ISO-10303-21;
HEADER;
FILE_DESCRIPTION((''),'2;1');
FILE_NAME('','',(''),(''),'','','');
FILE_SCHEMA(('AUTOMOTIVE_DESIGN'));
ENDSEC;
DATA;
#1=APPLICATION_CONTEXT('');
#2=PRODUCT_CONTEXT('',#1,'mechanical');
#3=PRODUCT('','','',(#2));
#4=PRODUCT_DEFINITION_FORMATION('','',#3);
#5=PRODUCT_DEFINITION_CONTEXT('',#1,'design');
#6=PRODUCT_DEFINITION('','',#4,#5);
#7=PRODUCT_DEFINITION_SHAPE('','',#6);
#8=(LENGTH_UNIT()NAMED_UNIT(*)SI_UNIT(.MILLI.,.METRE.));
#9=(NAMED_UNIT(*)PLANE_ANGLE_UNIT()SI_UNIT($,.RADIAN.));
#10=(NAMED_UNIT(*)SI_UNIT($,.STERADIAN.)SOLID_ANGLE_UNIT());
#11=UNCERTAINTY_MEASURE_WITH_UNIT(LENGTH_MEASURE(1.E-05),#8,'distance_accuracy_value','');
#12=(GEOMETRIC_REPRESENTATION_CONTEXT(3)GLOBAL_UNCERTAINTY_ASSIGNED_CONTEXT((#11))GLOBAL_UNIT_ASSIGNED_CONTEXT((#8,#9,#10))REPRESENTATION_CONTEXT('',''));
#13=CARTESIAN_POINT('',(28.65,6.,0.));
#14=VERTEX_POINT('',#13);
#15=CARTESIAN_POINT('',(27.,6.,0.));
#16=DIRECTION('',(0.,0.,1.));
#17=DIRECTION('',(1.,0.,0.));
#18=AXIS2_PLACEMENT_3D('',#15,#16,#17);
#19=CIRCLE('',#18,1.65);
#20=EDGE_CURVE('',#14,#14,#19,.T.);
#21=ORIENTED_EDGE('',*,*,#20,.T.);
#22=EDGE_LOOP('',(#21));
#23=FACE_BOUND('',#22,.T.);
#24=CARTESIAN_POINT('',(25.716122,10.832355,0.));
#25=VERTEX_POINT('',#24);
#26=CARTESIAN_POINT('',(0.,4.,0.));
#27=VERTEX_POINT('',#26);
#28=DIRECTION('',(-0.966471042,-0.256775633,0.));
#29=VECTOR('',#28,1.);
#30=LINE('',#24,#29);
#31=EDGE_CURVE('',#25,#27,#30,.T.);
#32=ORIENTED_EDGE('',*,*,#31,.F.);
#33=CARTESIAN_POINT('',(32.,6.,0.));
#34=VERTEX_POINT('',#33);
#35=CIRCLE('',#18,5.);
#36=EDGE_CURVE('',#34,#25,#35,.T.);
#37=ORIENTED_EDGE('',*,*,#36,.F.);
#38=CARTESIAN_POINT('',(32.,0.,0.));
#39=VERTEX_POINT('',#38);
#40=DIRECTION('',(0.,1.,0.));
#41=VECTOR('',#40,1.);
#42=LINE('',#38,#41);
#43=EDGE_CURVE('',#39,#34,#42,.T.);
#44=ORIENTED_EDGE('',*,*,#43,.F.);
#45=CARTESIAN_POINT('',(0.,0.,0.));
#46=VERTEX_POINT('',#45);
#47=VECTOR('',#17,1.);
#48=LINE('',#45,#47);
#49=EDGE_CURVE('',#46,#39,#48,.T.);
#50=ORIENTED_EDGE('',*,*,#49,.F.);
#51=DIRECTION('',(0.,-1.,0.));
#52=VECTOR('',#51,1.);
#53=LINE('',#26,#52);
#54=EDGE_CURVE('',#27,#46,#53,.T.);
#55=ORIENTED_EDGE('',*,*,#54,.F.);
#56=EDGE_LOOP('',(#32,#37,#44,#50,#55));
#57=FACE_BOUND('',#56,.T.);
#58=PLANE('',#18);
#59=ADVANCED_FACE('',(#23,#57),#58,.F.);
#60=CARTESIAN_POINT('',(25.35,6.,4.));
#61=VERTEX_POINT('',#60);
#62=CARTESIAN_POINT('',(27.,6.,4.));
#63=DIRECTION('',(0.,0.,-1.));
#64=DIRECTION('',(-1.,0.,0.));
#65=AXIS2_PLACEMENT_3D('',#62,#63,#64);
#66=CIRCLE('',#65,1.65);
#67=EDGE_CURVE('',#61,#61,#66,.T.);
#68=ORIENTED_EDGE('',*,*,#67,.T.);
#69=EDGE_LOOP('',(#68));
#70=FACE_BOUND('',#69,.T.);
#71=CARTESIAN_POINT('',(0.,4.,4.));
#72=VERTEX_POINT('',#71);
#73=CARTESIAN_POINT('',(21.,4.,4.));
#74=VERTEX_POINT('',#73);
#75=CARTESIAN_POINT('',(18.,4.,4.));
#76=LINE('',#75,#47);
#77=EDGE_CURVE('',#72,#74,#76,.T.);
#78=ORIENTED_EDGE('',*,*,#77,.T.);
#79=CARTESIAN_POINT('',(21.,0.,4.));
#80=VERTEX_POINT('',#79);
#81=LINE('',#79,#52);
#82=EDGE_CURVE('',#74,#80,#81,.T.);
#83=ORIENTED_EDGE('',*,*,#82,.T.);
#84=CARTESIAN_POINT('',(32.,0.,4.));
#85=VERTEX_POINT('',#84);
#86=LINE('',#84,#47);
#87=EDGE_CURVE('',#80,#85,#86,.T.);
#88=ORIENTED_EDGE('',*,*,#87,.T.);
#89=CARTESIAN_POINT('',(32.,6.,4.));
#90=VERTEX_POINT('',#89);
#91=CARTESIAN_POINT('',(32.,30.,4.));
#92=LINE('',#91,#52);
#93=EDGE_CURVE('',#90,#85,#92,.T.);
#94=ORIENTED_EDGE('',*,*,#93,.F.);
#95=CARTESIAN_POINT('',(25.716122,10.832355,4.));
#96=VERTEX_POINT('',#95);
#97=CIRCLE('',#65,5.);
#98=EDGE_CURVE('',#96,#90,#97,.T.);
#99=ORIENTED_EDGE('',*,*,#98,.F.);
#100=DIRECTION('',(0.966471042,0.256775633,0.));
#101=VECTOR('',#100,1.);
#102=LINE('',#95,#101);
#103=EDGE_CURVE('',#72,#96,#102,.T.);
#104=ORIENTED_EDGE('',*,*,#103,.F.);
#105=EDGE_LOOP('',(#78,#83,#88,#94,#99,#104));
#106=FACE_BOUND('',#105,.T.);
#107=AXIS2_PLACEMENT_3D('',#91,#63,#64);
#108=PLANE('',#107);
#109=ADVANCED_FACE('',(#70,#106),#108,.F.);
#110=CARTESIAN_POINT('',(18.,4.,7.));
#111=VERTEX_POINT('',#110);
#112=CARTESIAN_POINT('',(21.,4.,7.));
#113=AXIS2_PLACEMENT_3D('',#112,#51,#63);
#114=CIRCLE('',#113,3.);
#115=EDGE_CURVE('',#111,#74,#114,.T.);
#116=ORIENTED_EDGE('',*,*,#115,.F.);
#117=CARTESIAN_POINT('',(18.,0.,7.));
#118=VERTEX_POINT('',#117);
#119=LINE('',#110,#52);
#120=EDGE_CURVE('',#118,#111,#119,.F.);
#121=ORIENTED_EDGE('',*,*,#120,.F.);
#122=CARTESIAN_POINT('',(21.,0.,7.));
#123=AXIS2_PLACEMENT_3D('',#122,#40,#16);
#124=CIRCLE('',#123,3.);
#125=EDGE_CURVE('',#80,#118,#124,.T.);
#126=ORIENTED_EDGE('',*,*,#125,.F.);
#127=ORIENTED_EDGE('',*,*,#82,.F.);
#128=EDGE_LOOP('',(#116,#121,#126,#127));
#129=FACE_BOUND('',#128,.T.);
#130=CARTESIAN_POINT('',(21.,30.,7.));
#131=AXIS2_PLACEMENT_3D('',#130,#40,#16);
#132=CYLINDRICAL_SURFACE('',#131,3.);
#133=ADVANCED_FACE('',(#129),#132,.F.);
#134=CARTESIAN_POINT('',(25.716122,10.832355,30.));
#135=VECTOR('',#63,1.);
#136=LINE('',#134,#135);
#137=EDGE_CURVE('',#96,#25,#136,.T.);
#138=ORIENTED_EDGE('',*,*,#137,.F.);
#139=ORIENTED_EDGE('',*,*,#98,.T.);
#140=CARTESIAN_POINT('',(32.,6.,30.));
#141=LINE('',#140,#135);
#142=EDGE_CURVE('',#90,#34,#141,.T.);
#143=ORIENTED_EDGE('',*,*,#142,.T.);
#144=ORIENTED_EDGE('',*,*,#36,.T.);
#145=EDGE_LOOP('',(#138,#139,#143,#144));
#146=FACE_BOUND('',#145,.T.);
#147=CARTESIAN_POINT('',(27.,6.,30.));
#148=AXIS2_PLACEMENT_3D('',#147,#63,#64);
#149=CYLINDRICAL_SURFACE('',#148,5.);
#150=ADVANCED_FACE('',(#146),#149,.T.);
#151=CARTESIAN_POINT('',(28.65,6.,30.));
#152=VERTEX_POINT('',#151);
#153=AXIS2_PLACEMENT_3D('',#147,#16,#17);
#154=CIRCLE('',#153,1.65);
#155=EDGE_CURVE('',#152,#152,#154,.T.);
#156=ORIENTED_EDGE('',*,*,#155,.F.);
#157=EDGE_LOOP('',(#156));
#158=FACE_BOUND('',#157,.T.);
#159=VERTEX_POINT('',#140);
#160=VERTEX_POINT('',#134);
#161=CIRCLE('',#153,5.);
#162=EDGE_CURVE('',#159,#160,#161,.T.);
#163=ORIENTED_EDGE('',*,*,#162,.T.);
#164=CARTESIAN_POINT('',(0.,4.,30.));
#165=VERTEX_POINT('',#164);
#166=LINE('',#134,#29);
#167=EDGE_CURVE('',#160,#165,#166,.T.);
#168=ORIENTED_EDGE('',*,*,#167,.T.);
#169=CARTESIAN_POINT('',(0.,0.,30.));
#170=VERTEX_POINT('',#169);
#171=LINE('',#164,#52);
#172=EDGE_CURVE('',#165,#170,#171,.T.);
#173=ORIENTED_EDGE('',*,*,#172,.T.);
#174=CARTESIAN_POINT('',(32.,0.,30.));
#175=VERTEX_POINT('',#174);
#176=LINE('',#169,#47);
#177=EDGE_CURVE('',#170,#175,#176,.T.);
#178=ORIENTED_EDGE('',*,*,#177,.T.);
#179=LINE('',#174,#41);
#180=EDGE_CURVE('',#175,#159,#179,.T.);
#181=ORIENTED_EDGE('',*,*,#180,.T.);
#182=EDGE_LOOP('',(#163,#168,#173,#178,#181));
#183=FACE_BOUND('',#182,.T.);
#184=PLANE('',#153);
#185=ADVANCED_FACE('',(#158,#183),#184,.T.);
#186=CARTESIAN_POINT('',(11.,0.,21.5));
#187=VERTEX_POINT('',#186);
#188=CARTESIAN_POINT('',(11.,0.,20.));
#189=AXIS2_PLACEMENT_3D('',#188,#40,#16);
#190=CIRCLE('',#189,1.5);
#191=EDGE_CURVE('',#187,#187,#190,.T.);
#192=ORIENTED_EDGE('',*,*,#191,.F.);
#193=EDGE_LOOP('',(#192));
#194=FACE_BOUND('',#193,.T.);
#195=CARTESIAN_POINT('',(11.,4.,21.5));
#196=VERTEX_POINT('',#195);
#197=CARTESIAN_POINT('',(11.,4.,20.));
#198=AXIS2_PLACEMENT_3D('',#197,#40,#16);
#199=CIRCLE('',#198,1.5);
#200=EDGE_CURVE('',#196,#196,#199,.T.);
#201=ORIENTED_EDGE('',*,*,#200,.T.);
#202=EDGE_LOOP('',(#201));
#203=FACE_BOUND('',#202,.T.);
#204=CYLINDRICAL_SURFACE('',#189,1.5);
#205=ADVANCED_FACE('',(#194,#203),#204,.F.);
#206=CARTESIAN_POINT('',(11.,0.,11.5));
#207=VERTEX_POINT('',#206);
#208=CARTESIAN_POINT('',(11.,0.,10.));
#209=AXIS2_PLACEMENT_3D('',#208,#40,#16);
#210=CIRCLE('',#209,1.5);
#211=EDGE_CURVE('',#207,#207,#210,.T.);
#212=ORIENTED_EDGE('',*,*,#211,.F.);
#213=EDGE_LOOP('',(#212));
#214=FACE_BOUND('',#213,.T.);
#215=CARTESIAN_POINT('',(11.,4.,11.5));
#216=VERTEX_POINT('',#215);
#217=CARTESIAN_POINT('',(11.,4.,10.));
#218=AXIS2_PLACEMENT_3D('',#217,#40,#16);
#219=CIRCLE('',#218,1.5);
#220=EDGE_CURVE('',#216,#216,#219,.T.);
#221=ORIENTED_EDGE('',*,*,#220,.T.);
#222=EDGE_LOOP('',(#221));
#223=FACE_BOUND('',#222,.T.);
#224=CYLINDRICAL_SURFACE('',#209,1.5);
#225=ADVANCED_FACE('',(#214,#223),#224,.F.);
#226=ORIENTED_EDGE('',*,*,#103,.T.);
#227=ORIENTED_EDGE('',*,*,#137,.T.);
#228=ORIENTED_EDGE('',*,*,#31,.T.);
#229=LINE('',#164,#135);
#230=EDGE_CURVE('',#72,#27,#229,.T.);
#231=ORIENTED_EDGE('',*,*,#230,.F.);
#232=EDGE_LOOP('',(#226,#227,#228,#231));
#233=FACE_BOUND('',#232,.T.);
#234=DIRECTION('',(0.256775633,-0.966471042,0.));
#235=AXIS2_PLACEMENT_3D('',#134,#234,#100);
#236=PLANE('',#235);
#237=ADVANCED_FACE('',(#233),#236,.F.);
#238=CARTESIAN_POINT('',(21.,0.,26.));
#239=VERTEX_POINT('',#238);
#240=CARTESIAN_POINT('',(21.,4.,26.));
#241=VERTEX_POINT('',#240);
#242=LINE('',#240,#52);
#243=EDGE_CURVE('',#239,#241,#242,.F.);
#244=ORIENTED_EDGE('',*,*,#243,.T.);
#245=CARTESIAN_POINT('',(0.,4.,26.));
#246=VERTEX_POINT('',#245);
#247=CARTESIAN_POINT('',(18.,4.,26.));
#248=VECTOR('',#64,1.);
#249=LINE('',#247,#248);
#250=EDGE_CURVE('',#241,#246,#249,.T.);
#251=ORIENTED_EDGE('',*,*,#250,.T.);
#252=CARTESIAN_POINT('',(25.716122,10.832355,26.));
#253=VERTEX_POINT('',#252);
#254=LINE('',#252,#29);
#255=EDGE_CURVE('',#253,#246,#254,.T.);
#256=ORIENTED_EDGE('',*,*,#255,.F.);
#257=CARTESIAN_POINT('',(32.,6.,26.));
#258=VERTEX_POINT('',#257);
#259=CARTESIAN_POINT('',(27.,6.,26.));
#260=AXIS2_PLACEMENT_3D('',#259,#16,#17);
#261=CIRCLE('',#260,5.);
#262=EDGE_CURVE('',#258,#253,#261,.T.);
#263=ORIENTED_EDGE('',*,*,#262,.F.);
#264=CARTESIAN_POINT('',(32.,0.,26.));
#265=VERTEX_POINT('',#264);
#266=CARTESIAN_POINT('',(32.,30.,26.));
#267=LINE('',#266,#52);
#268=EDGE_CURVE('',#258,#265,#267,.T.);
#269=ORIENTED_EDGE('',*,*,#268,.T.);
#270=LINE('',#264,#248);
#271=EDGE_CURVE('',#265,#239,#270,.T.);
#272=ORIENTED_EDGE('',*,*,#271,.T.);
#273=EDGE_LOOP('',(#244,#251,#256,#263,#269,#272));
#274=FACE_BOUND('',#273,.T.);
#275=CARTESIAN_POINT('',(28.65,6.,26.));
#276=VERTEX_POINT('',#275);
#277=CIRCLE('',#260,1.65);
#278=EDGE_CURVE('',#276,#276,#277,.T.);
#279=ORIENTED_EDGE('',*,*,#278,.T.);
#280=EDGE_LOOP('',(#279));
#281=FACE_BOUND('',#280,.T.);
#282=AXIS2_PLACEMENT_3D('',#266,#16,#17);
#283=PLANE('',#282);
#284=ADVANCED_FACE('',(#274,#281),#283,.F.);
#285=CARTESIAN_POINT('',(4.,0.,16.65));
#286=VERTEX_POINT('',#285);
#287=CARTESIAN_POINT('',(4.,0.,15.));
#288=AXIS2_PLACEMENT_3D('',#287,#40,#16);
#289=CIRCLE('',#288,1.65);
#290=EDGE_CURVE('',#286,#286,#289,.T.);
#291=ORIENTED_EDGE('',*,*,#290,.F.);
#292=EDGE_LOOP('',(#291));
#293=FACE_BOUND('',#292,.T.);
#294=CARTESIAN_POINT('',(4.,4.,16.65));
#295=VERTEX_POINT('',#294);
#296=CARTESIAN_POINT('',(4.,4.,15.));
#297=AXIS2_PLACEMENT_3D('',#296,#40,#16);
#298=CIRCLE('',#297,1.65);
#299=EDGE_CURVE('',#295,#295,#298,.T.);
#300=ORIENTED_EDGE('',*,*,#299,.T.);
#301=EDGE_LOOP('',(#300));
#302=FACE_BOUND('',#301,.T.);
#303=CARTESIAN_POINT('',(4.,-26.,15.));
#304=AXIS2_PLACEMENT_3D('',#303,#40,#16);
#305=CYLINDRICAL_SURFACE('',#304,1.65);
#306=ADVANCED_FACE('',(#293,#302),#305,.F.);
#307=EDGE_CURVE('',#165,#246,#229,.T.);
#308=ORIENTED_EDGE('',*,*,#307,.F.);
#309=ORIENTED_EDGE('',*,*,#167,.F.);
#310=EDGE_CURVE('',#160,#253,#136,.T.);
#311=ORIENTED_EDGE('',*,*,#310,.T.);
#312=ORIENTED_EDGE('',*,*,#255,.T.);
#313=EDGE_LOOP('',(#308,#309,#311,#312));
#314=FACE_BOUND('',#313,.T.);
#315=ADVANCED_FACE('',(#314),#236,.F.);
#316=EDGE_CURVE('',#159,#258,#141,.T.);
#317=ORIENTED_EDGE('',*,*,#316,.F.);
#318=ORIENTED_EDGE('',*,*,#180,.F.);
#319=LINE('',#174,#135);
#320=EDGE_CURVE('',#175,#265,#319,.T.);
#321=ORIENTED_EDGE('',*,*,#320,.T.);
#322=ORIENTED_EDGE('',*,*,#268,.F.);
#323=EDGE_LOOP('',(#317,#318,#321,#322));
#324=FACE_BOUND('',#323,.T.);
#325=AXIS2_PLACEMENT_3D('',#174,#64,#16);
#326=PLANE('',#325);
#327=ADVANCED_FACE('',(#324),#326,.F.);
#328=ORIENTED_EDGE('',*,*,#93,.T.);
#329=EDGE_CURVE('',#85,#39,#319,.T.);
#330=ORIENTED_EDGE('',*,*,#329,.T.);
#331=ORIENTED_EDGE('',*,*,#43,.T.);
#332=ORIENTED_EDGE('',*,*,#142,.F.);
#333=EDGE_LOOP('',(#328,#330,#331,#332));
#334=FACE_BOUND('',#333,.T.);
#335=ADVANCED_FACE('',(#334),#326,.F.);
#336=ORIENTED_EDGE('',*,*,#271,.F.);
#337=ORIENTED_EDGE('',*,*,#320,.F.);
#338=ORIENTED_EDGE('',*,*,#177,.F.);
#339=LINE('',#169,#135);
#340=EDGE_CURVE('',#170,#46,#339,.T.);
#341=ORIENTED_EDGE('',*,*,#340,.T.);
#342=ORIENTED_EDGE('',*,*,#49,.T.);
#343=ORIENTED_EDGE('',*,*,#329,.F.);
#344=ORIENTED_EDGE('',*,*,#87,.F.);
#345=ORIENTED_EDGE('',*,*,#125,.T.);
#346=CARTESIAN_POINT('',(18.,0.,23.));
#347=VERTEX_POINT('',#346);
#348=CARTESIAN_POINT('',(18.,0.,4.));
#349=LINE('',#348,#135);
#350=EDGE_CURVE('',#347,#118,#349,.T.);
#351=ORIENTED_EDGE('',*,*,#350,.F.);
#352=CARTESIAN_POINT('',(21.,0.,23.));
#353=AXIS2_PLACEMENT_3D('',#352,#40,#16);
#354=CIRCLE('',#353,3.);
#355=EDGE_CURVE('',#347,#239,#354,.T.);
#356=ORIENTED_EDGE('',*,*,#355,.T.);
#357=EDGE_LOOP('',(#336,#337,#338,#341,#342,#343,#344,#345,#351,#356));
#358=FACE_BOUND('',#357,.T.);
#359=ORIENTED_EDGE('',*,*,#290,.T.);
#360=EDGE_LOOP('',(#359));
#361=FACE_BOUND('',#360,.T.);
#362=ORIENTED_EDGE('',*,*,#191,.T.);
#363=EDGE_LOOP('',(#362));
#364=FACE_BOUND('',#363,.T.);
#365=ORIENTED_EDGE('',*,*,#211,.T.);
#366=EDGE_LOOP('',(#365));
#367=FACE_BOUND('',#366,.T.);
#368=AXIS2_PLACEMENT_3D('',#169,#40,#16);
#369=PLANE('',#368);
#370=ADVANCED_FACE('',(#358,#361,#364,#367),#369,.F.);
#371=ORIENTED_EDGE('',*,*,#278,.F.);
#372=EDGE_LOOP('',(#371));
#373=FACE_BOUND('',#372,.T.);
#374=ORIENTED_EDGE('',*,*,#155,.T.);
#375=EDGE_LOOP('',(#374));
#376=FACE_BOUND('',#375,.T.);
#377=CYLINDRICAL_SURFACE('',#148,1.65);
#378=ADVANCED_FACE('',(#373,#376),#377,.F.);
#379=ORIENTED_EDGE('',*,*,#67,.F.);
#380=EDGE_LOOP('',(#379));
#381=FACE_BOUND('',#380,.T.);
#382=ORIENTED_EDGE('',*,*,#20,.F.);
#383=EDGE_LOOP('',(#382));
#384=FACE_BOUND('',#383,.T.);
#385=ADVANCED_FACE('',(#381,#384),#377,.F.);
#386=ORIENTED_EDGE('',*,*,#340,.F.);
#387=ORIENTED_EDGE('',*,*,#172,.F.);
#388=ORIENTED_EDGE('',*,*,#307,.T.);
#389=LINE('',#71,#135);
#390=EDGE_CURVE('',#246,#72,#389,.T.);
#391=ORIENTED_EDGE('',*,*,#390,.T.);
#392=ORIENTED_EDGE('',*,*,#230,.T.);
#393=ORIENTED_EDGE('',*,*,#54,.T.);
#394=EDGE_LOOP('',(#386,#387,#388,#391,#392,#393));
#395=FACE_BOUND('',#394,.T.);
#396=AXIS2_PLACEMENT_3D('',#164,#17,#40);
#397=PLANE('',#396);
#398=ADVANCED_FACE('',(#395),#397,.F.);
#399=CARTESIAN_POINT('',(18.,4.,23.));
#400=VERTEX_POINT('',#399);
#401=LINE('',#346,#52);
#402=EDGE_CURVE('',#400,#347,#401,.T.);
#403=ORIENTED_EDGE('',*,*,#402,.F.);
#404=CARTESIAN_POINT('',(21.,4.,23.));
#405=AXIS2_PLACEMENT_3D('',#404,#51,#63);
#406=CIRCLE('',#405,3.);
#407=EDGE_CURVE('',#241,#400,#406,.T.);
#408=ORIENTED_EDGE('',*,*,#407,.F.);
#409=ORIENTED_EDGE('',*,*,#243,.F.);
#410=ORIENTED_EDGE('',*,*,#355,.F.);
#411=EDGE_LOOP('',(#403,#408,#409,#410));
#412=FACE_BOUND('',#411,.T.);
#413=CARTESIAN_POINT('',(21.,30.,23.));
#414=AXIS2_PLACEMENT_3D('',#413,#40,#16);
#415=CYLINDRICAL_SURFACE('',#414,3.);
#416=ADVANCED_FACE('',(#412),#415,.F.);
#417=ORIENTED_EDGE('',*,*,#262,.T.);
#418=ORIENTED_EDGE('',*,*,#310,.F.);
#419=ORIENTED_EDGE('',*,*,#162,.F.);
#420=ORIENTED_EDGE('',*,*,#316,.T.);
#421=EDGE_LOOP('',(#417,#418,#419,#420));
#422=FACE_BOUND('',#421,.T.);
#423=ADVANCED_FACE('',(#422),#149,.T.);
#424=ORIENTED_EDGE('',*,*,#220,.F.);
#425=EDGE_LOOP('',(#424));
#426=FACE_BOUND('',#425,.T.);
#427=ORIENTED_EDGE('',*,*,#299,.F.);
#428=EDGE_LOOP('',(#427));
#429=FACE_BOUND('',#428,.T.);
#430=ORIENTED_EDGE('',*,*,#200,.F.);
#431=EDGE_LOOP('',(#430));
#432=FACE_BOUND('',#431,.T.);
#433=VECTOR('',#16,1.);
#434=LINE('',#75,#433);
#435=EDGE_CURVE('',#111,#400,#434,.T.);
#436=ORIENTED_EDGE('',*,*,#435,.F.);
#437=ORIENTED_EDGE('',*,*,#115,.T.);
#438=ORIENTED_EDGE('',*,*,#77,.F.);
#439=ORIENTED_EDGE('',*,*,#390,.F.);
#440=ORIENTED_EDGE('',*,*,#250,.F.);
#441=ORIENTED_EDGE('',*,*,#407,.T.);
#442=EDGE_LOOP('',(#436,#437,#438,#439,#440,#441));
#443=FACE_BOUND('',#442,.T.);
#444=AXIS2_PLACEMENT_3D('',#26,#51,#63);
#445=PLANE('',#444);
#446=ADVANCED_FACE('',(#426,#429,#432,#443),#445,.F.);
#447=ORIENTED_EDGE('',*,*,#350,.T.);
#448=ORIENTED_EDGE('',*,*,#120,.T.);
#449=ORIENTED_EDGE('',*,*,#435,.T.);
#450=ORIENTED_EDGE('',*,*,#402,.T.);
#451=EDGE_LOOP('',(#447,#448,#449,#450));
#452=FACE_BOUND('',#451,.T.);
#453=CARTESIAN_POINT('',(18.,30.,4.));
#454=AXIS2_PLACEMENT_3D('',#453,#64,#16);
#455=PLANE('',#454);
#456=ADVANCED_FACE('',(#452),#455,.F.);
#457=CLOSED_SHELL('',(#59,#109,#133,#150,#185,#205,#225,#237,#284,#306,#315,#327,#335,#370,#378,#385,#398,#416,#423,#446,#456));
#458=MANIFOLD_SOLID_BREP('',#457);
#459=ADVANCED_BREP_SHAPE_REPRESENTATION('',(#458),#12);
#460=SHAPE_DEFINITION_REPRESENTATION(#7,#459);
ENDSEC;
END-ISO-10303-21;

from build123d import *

# Parameters (mm, degrees)
SKETCH_1_R          = 1.65
EXTRUDE_1_DEPTH     = 30
SKETCH_2_W          = 14
SKETCH_2_H          = 22
CUT_EXTRUDE_1_DEPTH = 30
SKETCH_3_W          = 18
SKETCH_3_H          = 22
CUT_EXTRUDE_2_DEPTH = 30
FILLET_1_R          = 3
SKETCH_4_R          = 1.65
CUT_EXTRUDE_3_DEPTH = 30
SKETCH_5_R          = 1.5
CUT_EXTRUDE_4_DEPTH = 45.418464629


with BuildPart() as part:
    # 草图1 → 凸台-拉伸1 (new body)
    with BuildSketch(Plane.XY):
        with BuildLine():
            Line((0, 0), (32, 0))
            Line((32, 0), (32, 6))
            ThreePointArc((32, 6), (30.048000097, 9.963545813), (25.716121836, 10.832355208))
            Line((25.716121836, 10.832355208), (0, 4))
            Line((0, 4), (0, 0))
        make_face()
        with Locations((27, 6)):
            Circle(SKETCH_1_R, mode=Mode.SUBTRACT)
    extrude(amount=EXTRUDE_1_DEPTH)

    # 草图2 → 切除-拉伸1 (cut)
    with BuildSketch(Plane.XZ):
        with Locations((25, 15)):
            Rectangle(SKETCH_2_W, SKETCH_2_H)
    extrude(amount=-CUT_EXTRUDE_1_DEPTH, mode=Mode.SUBTRACT)

    # 草图3 → 切除-拉伸2 (cut)
    with BuildSketch(Plane(origin=(0, 4, 0), x_dir=(-1, 0, 0), z_dir=(0, -1, 0))):
        with Locations((-9, -15)):
            Rectangle(SKETCH_3_W, SKETCH_3_H)
    extrude(amount=-CUT_EXTRUDE_2_DEPTH, mode=Mode.SUBTRACT)

    # 圆角1
    fillet_1_edges = [part.edges().sort_by_distance(p)[0] for p in [
        (18, 2, 26),
        (18, 2, 4),
    ]]
    fillet(fillet_1_edges, radius=FILLET_1_R)

    # 草图4 → 切除-拉伸3 (cut)
    with BuildSketch(Plane(origin=(0, 4, 0), x_dir=(1, 0, 0), z_dir=(0, 1, 0))):
        with Locations(Location((4, -15, 0), (0, 0, 270))):
            Circle(SKETCH_4_R)
    extrude(amount=-CUT_EXTRUDE_3_DEPTH, mode=Mode.SUBTRACT)

    # 草图5 → 切除-拉伸4 (cut, through all)
    with BuildSketch(Plane(origin=(0, 4, 0), x_dir=(1, 0, 0), z_dir=(0, 1, 0))):
        with Locations(Location((11, -10, 0), (0, 0, 270))):
            Circle(SKETCH_5_R)
        with Locations(Location((11, -20, 0), (0, 0, 270))):
            Circle(SKETCH_5_R)
    extrude(amount=-CUT_EXTRUDE_4_DEPTH, mode=Mode.SUBTRACT)


solid = part.part
